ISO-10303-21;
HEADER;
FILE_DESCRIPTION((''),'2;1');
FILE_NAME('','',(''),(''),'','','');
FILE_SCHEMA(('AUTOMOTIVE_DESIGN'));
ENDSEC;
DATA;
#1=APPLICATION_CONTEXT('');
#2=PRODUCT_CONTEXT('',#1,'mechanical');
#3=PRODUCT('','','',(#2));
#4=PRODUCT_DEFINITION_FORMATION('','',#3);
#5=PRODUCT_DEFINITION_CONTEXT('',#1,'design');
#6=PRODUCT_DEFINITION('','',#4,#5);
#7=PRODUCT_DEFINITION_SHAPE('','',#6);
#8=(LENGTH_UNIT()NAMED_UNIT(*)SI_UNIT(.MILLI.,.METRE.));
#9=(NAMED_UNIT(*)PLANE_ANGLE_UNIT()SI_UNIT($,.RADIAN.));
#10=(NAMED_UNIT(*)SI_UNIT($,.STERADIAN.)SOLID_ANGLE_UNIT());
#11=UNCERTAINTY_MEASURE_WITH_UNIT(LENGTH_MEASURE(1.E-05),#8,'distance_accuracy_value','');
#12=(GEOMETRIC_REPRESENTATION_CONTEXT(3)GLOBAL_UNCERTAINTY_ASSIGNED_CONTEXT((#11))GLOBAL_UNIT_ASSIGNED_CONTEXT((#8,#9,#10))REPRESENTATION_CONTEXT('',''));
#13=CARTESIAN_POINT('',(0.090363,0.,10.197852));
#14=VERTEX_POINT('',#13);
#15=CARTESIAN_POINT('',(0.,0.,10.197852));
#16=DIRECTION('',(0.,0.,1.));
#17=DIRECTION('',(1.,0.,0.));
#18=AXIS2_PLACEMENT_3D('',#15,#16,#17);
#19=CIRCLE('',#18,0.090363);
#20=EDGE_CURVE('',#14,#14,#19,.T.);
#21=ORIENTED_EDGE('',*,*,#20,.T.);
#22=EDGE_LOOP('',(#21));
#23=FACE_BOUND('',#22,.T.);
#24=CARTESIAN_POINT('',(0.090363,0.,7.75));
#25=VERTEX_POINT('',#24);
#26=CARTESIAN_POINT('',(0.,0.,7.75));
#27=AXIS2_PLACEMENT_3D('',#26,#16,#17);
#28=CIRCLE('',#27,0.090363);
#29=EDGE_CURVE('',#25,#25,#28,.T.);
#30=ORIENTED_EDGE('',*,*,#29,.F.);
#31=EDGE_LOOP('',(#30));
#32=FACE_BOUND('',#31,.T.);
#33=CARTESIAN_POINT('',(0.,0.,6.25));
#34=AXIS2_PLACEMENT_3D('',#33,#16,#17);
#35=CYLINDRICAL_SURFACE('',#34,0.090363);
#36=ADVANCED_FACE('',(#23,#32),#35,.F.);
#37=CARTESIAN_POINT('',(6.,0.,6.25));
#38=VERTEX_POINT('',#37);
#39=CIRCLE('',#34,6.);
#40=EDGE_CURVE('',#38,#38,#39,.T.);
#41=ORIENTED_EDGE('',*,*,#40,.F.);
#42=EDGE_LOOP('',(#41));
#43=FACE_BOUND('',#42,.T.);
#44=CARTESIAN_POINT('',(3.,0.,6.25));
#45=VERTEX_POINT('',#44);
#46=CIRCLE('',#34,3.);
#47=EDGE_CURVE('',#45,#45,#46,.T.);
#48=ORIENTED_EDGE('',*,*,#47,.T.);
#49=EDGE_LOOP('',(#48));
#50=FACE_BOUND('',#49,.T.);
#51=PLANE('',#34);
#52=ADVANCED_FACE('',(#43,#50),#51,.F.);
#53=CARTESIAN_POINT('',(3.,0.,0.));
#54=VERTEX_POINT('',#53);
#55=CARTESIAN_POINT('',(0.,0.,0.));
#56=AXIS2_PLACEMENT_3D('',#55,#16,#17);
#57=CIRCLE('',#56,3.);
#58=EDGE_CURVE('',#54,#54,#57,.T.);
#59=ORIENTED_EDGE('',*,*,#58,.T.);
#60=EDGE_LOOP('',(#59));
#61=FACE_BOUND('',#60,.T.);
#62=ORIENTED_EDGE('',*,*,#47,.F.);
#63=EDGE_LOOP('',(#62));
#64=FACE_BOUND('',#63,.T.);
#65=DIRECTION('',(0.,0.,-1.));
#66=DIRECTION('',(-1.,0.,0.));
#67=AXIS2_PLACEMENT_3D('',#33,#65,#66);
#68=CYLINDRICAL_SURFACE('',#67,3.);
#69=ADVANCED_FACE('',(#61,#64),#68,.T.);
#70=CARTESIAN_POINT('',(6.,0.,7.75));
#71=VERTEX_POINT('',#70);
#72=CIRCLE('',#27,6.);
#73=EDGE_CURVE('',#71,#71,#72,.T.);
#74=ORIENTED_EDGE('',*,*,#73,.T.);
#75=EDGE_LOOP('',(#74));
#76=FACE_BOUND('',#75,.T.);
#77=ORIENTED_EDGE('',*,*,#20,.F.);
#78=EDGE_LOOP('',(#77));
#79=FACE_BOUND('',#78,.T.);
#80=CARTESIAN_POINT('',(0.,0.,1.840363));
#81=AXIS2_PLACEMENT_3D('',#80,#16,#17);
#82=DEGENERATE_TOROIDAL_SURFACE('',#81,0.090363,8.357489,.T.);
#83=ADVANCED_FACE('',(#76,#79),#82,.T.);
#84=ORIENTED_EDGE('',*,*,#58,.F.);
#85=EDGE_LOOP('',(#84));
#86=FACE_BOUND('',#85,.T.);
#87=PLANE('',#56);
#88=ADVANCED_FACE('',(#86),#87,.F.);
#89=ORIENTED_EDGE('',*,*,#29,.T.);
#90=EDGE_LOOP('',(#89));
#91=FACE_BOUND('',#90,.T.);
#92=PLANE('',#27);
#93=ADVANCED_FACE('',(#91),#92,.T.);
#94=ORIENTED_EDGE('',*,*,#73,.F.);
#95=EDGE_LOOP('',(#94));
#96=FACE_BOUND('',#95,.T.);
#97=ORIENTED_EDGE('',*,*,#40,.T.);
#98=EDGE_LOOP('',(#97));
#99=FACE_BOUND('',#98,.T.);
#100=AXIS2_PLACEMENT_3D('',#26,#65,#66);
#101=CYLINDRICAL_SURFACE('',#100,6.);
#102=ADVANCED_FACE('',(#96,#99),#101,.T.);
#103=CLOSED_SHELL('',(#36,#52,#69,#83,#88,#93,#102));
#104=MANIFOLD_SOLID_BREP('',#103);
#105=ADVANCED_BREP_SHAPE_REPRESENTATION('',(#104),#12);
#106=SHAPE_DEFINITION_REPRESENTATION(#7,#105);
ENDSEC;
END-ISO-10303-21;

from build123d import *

# Parameters (mm, degrees)
SKETCH1_R           = 3
BOSS_EXTRUDE1_DEPTH = 6.25
SKETCH2_R           = 6
BOSS_EXTRUDE2_DEPTH = 1.5


with BuildPart() as part:
    # Sketch1 → Boss-Extrude1 (new body)
    with BuildSketch(Plane.XY):
        Circle(SKETCH1_R)
    extrude(amount=BOSS_EXTRUDE1_DEPTH)

    # Sketch2 → Boss-Extrude2 (add)
    with BuildSketch(Plane.XY.offset(6.25)):
        Circle(SKETCH2_R)
    extrude(amount=BOSS_EXTRUDE2_DEPTH)

    # Sketch3 → Revolve1 (revolve)
    with BuildSketch(Plane(origin=(0, 0, 0), x_dir=(0, 0, -1), z_dir=(1, 0, 0))):
        with BuildLine():
            Line((-7.75, 6), (-7.75, 0.09036269))
            Line((-7.75, 0.09036269), (-10.197851923, 0.09036269))
            ThreePointArc((-10.197851923, 0.09036269), (-9.561675935, 3.288635355), (-7.75, 6))
        make_face()
    revolve(axis=Axis((0, 0, 6.25), (0, 0, -1)))


solid = part.part
